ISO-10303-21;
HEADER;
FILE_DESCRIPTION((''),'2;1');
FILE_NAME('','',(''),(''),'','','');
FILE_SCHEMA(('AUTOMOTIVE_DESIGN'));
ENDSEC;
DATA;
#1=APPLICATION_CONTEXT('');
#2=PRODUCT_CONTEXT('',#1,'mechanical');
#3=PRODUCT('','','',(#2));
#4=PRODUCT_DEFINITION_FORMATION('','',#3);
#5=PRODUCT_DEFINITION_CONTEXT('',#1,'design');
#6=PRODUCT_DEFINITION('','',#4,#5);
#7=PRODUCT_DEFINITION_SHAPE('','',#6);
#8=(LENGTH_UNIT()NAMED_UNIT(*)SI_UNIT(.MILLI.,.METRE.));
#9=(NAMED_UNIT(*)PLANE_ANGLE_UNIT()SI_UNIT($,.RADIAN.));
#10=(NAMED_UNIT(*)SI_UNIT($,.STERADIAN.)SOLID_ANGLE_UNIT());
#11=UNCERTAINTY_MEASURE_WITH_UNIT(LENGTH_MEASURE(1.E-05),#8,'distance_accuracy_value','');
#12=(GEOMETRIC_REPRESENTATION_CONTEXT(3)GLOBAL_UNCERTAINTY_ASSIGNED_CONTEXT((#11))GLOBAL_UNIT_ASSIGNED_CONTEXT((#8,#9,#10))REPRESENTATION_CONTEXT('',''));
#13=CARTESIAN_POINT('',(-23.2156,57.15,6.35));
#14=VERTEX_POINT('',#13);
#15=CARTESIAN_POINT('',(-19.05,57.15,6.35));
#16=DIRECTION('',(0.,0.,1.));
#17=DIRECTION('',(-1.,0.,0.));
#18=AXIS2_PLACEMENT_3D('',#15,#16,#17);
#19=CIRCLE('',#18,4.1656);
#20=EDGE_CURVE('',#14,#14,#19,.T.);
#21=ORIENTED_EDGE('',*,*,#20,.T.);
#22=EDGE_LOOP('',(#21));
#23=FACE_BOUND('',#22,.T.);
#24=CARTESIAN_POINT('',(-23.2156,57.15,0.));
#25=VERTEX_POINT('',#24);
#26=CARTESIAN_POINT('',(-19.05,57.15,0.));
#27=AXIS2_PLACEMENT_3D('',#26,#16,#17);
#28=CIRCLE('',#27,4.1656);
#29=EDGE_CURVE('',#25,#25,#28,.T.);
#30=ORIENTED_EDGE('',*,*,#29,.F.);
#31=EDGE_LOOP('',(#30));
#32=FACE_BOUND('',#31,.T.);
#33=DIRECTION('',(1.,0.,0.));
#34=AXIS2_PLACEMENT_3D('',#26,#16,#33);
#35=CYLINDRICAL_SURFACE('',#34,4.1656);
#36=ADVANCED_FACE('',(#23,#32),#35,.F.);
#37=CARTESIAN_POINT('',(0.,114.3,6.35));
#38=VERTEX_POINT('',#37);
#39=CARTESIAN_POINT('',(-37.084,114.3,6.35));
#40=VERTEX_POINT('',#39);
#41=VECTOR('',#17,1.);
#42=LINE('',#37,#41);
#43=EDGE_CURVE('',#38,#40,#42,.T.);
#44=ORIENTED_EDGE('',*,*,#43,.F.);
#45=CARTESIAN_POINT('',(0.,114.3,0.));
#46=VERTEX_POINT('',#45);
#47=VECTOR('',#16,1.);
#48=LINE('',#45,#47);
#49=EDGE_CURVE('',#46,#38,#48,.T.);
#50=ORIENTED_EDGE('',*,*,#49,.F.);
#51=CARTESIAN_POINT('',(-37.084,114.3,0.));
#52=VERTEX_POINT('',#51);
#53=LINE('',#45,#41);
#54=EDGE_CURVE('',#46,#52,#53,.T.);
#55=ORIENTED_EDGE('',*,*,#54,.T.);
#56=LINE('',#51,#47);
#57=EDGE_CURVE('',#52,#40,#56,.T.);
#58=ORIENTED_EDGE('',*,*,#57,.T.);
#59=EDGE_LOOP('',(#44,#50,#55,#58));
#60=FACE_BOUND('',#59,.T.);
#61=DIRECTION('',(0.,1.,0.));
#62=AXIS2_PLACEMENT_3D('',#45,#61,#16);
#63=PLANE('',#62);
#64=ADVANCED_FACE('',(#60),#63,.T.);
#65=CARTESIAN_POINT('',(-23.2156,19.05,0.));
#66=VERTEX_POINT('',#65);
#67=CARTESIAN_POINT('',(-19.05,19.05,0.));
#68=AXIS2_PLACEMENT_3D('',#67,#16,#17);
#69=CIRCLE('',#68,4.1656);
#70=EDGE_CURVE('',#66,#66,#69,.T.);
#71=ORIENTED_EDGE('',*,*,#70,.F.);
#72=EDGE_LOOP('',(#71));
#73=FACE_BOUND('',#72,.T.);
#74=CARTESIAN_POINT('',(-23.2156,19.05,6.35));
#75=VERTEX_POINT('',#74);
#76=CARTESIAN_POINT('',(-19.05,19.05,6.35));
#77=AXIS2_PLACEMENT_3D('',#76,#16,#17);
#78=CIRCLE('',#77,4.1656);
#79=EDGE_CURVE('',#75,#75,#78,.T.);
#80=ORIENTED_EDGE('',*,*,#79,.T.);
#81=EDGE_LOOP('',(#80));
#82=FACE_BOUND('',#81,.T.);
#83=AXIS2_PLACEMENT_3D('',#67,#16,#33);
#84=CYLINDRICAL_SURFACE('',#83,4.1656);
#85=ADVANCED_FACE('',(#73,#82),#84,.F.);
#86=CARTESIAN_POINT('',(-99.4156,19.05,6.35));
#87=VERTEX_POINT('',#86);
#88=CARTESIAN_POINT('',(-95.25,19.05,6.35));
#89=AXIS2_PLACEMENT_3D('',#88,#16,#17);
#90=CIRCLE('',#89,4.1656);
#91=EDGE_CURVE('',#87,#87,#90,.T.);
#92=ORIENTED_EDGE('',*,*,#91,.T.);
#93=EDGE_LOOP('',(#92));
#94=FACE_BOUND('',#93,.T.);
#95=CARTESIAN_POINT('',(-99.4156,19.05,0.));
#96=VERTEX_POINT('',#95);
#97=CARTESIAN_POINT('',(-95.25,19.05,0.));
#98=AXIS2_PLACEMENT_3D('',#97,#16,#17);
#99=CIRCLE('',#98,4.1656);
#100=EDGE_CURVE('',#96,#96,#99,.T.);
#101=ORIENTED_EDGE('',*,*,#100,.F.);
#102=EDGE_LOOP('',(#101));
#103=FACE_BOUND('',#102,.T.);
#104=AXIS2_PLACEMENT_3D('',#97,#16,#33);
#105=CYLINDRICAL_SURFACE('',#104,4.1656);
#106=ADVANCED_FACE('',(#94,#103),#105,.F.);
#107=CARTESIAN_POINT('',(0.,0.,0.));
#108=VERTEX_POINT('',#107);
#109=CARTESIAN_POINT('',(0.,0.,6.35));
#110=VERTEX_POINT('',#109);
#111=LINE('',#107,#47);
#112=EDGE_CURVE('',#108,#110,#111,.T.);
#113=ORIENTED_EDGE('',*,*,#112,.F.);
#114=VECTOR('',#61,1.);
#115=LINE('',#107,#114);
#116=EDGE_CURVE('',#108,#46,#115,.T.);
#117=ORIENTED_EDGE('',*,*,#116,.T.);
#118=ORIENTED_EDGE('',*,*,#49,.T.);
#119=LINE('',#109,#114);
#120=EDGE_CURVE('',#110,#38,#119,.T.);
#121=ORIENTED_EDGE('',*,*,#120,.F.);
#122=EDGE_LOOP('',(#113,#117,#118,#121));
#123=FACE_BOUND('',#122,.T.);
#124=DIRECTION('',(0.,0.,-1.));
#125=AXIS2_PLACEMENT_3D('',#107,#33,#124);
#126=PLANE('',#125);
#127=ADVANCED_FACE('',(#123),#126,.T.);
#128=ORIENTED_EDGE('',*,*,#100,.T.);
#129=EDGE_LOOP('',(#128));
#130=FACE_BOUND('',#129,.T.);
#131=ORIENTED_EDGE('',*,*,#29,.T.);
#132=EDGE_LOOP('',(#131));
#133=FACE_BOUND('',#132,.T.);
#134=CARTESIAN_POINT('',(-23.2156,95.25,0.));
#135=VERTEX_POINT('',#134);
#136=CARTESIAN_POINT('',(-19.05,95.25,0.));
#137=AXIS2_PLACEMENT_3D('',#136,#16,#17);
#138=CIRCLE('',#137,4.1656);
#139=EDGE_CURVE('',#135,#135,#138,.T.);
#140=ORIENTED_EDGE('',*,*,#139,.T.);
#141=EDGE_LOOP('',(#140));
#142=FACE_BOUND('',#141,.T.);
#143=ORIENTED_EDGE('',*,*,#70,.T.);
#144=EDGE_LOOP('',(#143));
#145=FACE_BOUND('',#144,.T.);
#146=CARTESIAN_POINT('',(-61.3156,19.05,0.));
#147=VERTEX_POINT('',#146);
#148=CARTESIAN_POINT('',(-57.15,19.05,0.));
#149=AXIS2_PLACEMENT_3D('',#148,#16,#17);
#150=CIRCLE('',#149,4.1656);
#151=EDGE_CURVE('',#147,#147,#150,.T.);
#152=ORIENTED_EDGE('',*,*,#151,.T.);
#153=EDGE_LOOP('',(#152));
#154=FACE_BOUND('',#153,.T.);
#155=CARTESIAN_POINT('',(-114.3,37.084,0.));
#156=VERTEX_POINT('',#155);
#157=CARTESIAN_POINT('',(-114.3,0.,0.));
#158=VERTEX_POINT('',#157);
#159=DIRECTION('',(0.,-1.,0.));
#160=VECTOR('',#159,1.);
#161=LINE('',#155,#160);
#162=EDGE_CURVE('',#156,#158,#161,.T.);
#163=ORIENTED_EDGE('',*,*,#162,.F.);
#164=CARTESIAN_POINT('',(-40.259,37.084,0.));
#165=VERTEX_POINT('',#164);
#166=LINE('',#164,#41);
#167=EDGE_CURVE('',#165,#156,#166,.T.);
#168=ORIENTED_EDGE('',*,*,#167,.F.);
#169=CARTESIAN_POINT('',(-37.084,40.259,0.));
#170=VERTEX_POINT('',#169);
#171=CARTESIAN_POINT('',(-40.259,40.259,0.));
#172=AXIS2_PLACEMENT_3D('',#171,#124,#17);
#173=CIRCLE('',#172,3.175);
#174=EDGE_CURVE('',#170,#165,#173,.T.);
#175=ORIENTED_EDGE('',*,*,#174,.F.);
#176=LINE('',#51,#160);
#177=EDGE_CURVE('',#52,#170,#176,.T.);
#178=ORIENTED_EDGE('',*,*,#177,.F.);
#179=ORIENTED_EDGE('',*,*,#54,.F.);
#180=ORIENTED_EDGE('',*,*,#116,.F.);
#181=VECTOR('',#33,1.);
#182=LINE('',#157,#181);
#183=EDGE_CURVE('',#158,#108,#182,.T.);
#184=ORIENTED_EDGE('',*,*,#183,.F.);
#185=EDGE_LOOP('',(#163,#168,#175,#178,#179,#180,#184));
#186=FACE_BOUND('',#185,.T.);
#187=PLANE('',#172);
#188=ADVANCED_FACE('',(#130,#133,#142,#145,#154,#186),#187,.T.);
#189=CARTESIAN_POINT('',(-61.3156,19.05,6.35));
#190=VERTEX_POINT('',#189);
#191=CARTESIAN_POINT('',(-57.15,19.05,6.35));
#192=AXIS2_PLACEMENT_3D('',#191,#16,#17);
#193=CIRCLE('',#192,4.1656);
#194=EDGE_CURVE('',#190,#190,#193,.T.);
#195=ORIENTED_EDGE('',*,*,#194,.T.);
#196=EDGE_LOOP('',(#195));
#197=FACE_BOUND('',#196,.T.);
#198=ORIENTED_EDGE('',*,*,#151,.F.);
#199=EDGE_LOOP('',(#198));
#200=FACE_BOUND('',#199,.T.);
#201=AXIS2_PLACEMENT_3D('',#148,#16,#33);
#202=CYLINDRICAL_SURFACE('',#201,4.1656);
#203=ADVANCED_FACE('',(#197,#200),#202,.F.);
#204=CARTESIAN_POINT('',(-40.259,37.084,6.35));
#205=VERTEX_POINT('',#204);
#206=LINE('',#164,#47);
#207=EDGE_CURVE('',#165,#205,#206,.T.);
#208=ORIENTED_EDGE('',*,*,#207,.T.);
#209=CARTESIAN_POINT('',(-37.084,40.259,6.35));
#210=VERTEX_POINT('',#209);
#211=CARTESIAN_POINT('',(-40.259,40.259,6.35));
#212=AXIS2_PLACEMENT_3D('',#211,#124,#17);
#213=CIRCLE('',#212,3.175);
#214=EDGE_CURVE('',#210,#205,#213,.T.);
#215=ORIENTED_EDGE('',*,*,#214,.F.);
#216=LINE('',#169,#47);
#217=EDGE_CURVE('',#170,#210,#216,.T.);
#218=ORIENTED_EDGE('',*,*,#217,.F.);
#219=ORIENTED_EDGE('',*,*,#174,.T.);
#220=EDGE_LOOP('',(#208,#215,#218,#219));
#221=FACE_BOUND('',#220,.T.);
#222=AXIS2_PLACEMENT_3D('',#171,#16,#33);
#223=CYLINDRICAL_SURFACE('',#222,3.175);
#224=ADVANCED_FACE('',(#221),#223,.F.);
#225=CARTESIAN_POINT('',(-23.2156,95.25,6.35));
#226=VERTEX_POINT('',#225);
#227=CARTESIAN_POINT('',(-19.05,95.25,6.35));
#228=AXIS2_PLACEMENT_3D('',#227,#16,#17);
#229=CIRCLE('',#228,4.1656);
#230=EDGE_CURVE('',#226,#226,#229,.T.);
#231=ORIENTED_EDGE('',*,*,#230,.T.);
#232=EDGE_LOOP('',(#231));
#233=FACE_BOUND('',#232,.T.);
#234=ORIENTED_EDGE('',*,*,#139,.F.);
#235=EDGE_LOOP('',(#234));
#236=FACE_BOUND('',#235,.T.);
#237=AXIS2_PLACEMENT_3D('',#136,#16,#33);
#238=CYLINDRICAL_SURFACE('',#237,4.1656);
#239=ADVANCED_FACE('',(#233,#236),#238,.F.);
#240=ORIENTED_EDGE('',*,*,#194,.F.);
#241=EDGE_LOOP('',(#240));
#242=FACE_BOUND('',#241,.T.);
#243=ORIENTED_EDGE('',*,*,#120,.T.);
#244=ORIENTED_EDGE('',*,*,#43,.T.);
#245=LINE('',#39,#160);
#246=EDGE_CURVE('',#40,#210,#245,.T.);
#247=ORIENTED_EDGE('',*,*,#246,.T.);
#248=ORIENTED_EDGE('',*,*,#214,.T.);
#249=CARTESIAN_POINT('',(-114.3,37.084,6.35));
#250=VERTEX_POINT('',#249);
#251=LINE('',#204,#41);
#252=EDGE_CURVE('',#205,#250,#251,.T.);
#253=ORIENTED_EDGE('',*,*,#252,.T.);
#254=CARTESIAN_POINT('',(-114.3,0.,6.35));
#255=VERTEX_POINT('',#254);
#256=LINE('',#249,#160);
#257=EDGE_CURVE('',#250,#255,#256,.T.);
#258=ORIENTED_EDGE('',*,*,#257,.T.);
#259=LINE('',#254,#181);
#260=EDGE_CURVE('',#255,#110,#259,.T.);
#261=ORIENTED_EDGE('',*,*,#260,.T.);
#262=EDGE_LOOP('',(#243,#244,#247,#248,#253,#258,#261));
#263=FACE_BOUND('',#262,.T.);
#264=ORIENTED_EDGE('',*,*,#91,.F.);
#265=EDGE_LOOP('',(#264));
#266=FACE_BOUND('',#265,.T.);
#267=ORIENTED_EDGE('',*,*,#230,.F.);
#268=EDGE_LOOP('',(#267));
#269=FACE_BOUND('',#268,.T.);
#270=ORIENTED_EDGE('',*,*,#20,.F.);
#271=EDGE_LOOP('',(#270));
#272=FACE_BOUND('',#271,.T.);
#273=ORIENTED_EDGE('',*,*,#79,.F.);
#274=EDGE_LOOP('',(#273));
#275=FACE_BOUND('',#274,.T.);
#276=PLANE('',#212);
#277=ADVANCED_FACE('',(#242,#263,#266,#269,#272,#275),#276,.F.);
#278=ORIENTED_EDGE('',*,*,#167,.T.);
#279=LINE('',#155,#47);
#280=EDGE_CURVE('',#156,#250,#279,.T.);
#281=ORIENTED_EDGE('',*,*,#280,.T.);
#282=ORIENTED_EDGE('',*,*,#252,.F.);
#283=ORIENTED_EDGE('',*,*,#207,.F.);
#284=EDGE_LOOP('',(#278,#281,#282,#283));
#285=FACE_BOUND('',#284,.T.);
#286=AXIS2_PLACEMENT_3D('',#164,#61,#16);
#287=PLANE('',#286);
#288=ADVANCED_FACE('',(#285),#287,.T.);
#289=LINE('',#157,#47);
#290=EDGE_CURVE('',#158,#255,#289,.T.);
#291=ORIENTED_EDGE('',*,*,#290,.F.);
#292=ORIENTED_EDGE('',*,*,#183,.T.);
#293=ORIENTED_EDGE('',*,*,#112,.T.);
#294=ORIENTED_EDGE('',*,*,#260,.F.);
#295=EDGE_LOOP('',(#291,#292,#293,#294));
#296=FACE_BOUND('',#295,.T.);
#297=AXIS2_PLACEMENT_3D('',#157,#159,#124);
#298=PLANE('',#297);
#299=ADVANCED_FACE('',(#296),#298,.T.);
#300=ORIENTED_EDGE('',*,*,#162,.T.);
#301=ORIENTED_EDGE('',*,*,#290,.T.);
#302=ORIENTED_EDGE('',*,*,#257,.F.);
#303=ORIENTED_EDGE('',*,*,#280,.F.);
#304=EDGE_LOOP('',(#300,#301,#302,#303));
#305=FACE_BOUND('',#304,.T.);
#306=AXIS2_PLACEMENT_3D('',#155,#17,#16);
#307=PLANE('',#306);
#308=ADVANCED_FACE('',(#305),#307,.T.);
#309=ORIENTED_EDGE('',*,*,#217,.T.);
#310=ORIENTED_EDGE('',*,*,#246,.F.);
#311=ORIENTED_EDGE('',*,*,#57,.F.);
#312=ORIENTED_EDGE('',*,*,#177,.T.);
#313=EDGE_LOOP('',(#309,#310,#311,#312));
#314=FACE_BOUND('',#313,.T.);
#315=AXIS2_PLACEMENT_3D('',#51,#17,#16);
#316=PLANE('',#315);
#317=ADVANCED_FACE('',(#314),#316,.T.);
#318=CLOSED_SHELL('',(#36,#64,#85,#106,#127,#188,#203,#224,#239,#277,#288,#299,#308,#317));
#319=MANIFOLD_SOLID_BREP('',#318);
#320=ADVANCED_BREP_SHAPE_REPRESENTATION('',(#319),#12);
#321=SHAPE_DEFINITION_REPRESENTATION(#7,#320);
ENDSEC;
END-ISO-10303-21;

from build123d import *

# Parameters (mm, degrees)
SKETCH1_R           = 4.1656
BOSS_EXTRUDE1_DEPTH = 6.35


with BuildPart() as part:
    # Sketch1 → Boss-Extrude1 (new body)
    with BuildSketch(Plane.XY.offset(6.35)):
        with BuildLine():
            Line((-40.259, 37.084), (-114.3, 37.084))
            Line((-114.3, 37.084), (-114.3, 0))
            Line((-114.3, 0), (0, 0))
            Line((0, 0), (0, 114.3))
            Line((0, 114.3), (-37.084, 114.3))
            Line((-37.084, 114.3), (-37.084, 40.259))
            ThreePointArc((-37.084, 40.259), (-38.01393597, 38.01393597), (-40.259, 37.084))
        make_face()
        with Locations((-95.25, 19.05)):
            Circle(SKETCH1_R, mode=Mode.SUBTRACT)
        with Locations((-57.15, 19.05)):
            Circle(SKETCH1_R, mode=Mode.SUBTRACT)
        with Locations((-19.05, 57.15)):
            Circle(SKETCH1_R, mode=Mode.SUBTRACT)
        with Locations((-19.05, 95.25)):
            Circle(SKETCH1_R, mode=Mode.SUBTRACT)
        with Locations((-19.05, 19.05)):
            Circle(SKETCH1_R, mode=Mode.SUBTRACT)
    extrude(amount=-BOSS_EXTRUDE1_DEPTH)


solid = part.part
